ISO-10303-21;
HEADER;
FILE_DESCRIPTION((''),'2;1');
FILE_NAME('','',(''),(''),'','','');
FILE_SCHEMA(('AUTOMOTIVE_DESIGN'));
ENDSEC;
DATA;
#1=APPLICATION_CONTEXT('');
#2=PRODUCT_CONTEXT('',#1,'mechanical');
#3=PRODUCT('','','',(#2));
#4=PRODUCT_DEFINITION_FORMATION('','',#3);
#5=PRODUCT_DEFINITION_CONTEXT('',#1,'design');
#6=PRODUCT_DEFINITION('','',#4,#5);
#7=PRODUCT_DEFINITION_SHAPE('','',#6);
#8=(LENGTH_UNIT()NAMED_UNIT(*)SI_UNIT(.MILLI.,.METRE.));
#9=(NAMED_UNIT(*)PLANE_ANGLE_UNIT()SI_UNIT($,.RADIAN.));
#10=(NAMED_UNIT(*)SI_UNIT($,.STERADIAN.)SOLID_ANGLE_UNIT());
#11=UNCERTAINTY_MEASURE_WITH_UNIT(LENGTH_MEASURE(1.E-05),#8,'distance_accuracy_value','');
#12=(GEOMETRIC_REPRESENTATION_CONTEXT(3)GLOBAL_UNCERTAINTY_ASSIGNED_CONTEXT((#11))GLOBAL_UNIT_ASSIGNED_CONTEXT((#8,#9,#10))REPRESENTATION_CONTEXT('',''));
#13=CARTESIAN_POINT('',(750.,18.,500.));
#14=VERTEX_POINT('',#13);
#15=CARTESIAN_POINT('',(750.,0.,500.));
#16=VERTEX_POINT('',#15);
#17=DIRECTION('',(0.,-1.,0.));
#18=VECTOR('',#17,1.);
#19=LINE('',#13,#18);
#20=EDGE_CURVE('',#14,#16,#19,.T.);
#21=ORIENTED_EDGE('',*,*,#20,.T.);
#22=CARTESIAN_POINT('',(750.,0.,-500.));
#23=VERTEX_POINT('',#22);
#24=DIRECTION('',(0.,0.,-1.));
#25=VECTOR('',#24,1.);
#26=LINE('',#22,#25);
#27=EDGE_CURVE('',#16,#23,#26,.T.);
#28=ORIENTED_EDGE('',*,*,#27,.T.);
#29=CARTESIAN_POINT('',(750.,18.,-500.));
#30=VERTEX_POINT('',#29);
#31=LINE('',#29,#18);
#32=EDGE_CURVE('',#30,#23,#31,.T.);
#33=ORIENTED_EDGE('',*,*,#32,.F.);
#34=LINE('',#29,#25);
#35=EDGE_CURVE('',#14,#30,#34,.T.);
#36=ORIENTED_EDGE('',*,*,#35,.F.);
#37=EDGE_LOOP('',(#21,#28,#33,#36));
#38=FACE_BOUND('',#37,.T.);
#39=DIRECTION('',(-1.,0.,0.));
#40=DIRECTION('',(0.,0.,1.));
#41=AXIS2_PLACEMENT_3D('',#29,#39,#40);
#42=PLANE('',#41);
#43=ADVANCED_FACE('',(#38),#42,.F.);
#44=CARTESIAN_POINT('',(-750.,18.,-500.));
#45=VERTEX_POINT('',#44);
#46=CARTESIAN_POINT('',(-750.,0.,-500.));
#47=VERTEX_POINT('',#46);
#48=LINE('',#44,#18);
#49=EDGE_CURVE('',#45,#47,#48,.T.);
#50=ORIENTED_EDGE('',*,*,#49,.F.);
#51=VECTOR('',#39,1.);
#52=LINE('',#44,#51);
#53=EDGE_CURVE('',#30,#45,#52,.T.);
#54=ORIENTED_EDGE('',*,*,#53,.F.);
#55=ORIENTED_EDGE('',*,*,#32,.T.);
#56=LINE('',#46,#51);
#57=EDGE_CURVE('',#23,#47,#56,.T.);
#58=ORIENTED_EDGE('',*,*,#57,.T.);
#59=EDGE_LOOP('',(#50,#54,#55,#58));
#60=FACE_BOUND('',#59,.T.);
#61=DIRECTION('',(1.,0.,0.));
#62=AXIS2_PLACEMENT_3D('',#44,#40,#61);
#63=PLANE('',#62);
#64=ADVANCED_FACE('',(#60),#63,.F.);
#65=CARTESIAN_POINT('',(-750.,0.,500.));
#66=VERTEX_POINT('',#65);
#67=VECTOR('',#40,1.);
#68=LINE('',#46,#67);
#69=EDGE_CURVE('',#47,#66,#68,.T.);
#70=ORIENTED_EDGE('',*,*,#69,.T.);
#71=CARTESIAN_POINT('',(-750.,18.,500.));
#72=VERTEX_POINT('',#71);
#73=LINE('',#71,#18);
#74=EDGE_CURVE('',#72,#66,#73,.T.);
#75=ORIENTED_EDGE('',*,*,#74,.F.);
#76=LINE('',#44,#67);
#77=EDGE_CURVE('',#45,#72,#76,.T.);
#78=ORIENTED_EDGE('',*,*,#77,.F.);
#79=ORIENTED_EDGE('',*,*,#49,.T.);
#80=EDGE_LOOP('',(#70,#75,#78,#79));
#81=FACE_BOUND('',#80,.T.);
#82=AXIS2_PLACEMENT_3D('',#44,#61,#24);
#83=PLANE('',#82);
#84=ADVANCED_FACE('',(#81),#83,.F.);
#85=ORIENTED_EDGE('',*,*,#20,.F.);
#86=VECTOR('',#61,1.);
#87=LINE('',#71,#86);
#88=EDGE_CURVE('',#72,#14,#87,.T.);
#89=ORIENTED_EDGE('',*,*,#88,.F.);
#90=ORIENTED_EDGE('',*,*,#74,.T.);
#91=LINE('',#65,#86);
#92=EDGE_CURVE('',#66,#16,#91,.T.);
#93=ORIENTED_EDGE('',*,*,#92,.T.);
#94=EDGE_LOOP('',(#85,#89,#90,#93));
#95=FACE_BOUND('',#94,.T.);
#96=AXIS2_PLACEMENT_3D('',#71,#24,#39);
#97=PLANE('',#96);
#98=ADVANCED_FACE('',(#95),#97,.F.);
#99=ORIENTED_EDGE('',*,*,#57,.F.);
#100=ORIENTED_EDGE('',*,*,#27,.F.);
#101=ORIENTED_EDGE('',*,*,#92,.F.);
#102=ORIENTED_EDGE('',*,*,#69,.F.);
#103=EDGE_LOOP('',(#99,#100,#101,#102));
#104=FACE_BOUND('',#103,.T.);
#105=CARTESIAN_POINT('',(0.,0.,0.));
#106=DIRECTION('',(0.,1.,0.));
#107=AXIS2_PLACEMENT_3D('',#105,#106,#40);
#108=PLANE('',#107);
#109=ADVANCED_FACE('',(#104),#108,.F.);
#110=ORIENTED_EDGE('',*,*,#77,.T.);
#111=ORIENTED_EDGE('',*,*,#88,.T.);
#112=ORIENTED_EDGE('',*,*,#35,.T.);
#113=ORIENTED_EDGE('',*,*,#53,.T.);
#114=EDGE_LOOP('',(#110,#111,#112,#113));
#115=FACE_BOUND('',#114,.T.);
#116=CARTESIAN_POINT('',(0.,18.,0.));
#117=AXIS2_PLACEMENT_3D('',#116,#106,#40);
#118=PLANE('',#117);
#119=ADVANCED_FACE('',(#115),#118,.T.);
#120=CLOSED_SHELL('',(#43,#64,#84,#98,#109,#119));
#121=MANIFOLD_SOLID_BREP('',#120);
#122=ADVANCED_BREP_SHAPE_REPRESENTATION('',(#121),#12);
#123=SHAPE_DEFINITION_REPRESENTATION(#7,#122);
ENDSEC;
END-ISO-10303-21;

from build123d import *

# Parameters (mm, degrees)
ESQUISSE1_W        = 1500
ESQUISSE1_H        = 1000
BOSS_EXTRU_1_DEPTH = 18


with BuildPart() as part:
    # Esquisse1 → Boss.-Extru.1 (new body)
    with BuildSketch(Plane(origin=(0, 0, 0), x_dir=(1, 0, 0), z_dir=(0, 1, 0))):
        Rectangle(ESQUISSE1_W, ESQUISSE1_H)
    extrude(amount=BOSS_EXTRU_1_DEPTH)


solid = part.part
